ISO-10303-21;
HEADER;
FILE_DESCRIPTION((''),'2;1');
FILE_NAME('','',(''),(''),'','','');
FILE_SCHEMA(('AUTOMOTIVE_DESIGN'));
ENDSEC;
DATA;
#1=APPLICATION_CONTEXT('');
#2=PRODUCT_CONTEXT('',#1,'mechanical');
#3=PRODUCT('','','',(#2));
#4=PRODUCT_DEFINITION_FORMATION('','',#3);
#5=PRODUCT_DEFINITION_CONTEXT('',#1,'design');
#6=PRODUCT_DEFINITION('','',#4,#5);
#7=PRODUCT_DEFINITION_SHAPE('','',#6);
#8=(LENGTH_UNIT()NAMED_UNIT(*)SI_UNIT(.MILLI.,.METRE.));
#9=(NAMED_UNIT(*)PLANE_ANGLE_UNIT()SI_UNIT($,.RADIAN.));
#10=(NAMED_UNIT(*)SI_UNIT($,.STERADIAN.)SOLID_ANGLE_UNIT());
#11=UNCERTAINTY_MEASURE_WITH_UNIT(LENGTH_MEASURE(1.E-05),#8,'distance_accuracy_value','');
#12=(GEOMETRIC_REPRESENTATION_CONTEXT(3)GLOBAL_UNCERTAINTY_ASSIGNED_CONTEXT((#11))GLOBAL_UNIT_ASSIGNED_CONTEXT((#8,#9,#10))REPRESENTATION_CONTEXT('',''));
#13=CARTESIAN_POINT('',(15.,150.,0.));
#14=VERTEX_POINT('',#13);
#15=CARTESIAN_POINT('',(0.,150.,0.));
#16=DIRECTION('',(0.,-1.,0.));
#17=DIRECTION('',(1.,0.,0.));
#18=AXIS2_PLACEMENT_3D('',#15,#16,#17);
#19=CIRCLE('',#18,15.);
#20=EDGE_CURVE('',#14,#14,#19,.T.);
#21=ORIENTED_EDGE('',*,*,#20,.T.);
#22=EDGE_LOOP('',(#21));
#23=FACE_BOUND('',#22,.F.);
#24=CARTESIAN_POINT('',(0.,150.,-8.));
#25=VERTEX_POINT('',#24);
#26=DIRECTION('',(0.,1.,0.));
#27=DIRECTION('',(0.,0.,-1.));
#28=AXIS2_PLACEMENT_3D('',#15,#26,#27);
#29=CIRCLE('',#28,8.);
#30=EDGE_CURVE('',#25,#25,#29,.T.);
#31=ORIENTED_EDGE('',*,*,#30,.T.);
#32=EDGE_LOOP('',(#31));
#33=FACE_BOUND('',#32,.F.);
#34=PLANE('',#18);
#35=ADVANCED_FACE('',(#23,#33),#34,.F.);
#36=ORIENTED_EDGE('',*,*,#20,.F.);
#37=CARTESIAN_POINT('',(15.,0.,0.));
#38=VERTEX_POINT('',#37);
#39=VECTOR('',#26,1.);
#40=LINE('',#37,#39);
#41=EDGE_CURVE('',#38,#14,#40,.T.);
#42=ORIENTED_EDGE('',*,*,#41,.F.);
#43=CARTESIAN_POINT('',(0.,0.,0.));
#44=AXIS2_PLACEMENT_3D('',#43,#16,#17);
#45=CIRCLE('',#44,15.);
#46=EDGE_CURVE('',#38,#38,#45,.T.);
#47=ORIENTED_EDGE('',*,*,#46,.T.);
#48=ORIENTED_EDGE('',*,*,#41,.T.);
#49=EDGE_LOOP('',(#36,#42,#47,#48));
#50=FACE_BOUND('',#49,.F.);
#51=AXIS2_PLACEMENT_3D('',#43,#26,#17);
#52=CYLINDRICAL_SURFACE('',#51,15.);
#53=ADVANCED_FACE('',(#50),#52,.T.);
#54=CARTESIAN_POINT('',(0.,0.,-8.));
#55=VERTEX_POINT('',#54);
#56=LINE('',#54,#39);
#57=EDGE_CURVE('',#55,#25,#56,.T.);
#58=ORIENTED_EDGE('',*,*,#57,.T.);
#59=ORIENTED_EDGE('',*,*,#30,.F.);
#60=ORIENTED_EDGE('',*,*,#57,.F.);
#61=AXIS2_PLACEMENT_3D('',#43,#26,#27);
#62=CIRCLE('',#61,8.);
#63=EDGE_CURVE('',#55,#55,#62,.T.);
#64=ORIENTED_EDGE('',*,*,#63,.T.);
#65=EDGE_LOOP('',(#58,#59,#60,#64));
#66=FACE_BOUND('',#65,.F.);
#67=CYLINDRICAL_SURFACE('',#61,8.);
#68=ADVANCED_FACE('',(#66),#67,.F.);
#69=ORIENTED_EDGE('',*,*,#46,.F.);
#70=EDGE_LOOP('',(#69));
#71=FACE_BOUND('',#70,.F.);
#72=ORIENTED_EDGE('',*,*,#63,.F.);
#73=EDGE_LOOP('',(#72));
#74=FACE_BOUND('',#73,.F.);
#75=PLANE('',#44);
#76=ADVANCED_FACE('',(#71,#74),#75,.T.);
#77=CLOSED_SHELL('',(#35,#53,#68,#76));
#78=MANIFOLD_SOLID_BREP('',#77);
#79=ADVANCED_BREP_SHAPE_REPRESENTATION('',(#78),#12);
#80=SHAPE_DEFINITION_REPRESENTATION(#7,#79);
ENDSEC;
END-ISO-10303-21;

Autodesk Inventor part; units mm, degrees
ref_plane "YZ Plane" through (0, 0, 0) normal (1, 0, 0) x (0, 1, 0)
ref_plane "XZ Plane" through (0, 0, 0) normal (0, 1, 0) x (-1, 0, 0)
ref_plane "XY Plane" through (0, 0, 0) normal (0, 0, 1) x (1, 0, 0)
sketch "Sketch1" plane through (0, 0, 0) normal (0, 0, 1) x (1, 0, 0)
  line L0 (0, 0) -> (15, 0)
  line L1 (15, 0) -> (15, 150)
  line L2 (15, 150) -> (0, 150)
  line L3 (0, 150) -> (0, 0)
  dimension "d0" = 0
  dimension "d1" = 15
  dimension "d2" = 150
revolve "Revolution1" add sketch "Sketch1" angle 360 about axis through (0, 150, 0) along (0, -1, 0)
sketch "Sketch2" plane through (0, 0, 0) normal (0, -1, 0) x (1, 0, 0)
  point P0 (0, 0)
  point P1 (0, 0)
hole "Hole1" at (0, 0, 0) direction (0, 1, 0) diameter 16 end through all
properties part number "grain"
